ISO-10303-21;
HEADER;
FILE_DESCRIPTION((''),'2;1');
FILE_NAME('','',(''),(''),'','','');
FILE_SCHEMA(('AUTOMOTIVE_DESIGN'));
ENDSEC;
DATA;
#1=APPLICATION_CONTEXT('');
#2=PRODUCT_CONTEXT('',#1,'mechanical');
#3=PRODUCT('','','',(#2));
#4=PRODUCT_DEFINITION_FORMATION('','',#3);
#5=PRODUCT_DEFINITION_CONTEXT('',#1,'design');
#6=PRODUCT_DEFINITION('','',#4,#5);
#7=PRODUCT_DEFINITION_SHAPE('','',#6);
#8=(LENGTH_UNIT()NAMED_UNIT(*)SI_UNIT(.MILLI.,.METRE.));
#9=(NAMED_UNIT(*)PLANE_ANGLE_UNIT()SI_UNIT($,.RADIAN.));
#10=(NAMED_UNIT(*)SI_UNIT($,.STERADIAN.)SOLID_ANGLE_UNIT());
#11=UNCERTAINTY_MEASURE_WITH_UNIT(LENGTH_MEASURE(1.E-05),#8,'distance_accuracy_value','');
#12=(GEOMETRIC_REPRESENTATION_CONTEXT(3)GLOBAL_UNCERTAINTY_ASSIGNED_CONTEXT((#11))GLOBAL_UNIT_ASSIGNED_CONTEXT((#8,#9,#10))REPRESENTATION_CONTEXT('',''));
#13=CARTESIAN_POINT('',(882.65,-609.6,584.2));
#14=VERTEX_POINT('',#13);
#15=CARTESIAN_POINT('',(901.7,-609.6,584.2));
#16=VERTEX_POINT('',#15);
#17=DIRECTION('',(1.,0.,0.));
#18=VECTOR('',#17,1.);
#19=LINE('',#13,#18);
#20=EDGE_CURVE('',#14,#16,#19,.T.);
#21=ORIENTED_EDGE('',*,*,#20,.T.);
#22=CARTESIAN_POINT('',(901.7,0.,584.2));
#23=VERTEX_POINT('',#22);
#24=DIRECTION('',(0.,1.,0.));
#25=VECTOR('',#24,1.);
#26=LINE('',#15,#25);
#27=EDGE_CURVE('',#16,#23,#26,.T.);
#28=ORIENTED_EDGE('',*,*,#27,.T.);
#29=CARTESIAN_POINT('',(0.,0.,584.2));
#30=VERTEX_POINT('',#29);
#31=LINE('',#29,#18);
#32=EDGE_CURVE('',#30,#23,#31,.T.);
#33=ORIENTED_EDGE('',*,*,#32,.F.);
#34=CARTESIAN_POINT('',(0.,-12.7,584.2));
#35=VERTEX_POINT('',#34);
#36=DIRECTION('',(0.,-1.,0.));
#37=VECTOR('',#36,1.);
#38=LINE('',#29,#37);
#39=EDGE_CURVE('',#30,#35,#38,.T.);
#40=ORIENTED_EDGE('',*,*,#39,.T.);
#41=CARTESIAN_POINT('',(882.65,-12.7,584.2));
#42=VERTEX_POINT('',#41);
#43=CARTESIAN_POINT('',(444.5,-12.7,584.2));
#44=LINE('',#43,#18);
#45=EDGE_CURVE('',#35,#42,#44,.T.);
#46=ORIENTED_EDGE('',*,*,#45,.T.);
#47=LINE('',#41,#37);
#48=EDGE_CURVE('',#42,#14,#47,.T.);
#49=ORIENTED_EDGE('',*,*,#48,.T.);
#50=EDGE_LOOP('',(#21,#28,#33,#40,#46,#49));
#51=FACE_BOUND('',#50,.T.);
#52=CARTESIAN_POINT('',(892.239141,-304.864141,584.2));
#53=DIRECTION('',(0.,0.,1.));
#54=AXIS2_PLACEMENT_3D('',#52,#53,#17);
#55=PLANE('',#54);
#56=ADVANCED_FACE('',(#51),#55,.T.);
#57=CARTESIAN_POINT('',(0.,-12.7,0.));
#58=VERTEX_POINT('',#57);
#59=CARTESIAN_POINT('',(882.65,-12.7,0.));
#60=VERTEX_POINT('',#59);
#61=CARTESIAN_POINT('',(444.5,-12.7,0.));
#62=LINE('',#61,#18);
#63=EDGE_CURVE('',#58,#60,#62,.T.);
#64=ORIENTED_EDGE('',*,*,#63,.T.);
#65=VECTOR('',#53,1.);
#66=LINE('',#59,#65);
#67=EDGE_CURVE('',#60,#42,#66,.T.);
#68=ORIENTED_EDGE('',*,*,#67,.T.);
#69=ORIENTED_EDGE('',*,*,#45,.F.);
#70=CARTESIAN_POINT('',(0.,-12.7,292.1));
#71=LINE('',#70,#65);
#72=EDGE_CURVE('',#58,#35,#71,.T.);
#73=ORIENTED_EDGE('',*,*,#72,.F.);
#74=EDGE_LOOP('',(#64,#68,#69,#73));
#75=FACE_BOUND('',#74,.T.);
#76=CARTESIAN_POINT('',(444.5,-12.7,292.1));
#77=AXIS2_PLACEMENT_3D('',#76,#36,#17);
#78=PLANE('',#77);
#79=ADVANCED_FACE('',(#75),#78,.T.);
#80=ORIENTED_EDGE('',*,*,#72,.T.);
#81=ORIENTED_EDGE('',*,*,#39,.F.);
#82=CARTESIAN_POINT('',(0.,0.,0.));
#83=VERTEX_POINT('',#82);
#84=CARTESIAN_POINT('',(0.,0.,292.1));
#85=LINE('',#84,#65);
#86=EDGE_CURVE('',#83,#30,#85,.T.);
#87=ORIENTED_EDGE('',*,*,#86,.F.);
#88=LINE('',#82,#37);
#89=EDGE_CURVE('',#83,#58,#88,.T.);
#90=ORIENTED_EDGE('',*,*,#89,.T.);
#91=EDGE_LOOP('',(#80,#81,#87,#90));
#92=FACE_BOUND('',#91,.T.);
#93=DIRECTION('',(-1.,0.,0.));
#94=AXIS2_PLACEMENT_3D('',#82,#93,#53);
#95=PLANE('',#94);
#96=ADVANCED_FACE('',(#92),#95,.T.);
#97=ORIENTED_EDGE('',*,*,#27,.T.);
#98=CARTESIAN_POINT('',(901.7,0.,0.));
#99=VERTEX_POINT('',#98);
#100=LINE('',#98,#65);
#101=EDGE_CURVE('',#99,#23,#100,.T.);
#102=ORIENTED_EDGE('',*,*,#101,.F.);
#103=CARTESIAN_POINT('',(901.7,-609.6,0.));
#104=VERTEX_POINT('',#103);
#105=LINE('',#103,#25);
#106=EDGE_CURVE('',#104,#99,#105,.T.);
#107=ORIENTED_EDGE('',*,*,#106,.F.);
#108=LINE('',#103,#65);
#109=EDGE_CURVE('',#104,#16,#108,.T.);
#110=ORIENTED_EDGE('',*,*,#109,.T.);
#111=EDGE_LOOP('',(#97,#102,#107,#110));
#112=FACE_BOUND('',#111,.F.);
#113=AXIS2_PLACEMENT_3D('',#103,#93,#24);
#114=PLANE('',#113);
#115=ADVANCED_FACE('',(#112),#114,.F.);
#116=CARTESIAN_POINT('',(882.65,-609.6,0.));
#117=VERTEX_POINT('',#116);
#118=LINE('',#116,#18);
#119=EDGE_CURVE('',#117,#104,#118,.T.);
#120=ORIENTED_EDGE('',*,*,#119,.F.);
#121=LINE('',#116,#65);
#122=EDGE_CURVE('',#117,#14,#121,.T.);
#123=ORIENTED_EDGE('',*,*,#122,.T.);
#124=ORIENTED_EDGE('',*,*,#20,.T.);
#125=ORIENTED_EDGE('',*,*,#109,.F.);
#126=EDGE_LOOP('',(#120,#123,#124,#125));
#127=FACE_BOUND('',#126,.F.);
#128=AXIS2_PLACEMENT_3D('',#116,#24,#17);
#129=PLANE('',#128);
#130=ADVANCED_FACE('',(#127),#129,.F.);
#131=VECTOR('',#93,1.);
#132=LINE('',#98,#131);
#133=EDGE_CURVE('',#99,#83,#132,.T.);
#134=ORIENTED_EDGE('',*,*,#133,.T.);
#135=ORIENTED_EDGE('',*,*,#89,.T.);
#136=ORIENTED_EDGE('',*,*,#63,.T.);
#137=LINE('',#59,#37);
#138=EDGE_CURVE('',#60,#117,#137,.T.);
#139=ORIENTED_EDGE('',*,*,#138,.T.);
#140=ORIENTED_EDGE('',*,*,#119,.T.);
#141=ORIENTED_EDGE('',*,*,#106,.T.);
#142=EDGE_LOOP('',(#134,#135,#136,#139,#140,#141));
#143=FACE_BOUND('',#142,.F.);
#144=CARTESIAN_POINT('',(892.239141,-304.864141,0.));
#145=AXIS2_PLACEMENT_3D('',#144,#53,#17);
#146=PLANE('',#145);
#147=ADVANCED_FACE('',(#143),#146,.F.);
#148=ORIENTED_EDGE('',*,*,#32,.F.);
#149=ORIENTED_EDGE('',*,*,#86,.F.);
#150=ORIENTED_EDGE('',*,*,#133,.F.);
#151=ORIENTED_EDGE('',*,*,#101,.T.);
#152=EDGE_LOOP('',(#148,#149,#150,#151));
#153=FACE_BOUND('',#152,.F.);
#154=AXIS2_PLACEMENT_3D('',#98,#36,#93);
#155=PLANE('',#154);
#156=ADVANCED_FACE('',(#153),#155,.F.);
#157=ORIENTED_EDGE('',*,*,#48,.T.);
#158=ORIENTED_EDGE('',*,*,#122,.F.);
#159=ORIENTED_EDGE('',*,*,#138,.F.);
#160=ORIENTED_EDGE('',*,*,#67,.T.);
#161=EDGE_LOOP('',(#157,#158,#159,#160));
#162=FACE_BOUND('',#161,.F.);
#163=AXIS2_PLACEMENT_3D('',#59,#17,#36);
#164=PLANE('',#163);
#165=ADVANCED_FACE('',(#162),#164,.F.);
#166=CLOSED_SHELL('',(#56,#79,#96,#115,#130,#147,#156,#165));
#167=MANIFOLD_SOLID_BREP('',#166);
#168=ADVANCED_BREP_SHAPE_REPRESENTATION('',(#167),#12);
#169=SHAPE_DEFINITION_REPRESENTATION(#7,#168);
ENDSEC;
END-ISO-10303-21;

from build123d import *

# Parameters (mm, degrees)
F0_W     = 889
F0_H     = 584.2
F1_DEPTH = 12.7
F3_DEPTH = 584.2


with BuildPart() as f1:
    # F0 (on Front) → F1 (new body)
    with BuildSketch(Plane.XZ):
        with Locations((444.5, 292.1)):
            Rectangle(F0_W, F0_H)
    extrude(amount=F1_DEPTH)

    # F2 (on Top) → F3 (join)
    with BuildSketch(Plane.XY):
        Polygon((901.7, 0), (889, 0), (889, -12.7), (882.65, -12.7), (882.65, -609.6), (901.7, -609.6), align=None)
    extrude(amount=F3_DEPTH)


solid = f1.part
